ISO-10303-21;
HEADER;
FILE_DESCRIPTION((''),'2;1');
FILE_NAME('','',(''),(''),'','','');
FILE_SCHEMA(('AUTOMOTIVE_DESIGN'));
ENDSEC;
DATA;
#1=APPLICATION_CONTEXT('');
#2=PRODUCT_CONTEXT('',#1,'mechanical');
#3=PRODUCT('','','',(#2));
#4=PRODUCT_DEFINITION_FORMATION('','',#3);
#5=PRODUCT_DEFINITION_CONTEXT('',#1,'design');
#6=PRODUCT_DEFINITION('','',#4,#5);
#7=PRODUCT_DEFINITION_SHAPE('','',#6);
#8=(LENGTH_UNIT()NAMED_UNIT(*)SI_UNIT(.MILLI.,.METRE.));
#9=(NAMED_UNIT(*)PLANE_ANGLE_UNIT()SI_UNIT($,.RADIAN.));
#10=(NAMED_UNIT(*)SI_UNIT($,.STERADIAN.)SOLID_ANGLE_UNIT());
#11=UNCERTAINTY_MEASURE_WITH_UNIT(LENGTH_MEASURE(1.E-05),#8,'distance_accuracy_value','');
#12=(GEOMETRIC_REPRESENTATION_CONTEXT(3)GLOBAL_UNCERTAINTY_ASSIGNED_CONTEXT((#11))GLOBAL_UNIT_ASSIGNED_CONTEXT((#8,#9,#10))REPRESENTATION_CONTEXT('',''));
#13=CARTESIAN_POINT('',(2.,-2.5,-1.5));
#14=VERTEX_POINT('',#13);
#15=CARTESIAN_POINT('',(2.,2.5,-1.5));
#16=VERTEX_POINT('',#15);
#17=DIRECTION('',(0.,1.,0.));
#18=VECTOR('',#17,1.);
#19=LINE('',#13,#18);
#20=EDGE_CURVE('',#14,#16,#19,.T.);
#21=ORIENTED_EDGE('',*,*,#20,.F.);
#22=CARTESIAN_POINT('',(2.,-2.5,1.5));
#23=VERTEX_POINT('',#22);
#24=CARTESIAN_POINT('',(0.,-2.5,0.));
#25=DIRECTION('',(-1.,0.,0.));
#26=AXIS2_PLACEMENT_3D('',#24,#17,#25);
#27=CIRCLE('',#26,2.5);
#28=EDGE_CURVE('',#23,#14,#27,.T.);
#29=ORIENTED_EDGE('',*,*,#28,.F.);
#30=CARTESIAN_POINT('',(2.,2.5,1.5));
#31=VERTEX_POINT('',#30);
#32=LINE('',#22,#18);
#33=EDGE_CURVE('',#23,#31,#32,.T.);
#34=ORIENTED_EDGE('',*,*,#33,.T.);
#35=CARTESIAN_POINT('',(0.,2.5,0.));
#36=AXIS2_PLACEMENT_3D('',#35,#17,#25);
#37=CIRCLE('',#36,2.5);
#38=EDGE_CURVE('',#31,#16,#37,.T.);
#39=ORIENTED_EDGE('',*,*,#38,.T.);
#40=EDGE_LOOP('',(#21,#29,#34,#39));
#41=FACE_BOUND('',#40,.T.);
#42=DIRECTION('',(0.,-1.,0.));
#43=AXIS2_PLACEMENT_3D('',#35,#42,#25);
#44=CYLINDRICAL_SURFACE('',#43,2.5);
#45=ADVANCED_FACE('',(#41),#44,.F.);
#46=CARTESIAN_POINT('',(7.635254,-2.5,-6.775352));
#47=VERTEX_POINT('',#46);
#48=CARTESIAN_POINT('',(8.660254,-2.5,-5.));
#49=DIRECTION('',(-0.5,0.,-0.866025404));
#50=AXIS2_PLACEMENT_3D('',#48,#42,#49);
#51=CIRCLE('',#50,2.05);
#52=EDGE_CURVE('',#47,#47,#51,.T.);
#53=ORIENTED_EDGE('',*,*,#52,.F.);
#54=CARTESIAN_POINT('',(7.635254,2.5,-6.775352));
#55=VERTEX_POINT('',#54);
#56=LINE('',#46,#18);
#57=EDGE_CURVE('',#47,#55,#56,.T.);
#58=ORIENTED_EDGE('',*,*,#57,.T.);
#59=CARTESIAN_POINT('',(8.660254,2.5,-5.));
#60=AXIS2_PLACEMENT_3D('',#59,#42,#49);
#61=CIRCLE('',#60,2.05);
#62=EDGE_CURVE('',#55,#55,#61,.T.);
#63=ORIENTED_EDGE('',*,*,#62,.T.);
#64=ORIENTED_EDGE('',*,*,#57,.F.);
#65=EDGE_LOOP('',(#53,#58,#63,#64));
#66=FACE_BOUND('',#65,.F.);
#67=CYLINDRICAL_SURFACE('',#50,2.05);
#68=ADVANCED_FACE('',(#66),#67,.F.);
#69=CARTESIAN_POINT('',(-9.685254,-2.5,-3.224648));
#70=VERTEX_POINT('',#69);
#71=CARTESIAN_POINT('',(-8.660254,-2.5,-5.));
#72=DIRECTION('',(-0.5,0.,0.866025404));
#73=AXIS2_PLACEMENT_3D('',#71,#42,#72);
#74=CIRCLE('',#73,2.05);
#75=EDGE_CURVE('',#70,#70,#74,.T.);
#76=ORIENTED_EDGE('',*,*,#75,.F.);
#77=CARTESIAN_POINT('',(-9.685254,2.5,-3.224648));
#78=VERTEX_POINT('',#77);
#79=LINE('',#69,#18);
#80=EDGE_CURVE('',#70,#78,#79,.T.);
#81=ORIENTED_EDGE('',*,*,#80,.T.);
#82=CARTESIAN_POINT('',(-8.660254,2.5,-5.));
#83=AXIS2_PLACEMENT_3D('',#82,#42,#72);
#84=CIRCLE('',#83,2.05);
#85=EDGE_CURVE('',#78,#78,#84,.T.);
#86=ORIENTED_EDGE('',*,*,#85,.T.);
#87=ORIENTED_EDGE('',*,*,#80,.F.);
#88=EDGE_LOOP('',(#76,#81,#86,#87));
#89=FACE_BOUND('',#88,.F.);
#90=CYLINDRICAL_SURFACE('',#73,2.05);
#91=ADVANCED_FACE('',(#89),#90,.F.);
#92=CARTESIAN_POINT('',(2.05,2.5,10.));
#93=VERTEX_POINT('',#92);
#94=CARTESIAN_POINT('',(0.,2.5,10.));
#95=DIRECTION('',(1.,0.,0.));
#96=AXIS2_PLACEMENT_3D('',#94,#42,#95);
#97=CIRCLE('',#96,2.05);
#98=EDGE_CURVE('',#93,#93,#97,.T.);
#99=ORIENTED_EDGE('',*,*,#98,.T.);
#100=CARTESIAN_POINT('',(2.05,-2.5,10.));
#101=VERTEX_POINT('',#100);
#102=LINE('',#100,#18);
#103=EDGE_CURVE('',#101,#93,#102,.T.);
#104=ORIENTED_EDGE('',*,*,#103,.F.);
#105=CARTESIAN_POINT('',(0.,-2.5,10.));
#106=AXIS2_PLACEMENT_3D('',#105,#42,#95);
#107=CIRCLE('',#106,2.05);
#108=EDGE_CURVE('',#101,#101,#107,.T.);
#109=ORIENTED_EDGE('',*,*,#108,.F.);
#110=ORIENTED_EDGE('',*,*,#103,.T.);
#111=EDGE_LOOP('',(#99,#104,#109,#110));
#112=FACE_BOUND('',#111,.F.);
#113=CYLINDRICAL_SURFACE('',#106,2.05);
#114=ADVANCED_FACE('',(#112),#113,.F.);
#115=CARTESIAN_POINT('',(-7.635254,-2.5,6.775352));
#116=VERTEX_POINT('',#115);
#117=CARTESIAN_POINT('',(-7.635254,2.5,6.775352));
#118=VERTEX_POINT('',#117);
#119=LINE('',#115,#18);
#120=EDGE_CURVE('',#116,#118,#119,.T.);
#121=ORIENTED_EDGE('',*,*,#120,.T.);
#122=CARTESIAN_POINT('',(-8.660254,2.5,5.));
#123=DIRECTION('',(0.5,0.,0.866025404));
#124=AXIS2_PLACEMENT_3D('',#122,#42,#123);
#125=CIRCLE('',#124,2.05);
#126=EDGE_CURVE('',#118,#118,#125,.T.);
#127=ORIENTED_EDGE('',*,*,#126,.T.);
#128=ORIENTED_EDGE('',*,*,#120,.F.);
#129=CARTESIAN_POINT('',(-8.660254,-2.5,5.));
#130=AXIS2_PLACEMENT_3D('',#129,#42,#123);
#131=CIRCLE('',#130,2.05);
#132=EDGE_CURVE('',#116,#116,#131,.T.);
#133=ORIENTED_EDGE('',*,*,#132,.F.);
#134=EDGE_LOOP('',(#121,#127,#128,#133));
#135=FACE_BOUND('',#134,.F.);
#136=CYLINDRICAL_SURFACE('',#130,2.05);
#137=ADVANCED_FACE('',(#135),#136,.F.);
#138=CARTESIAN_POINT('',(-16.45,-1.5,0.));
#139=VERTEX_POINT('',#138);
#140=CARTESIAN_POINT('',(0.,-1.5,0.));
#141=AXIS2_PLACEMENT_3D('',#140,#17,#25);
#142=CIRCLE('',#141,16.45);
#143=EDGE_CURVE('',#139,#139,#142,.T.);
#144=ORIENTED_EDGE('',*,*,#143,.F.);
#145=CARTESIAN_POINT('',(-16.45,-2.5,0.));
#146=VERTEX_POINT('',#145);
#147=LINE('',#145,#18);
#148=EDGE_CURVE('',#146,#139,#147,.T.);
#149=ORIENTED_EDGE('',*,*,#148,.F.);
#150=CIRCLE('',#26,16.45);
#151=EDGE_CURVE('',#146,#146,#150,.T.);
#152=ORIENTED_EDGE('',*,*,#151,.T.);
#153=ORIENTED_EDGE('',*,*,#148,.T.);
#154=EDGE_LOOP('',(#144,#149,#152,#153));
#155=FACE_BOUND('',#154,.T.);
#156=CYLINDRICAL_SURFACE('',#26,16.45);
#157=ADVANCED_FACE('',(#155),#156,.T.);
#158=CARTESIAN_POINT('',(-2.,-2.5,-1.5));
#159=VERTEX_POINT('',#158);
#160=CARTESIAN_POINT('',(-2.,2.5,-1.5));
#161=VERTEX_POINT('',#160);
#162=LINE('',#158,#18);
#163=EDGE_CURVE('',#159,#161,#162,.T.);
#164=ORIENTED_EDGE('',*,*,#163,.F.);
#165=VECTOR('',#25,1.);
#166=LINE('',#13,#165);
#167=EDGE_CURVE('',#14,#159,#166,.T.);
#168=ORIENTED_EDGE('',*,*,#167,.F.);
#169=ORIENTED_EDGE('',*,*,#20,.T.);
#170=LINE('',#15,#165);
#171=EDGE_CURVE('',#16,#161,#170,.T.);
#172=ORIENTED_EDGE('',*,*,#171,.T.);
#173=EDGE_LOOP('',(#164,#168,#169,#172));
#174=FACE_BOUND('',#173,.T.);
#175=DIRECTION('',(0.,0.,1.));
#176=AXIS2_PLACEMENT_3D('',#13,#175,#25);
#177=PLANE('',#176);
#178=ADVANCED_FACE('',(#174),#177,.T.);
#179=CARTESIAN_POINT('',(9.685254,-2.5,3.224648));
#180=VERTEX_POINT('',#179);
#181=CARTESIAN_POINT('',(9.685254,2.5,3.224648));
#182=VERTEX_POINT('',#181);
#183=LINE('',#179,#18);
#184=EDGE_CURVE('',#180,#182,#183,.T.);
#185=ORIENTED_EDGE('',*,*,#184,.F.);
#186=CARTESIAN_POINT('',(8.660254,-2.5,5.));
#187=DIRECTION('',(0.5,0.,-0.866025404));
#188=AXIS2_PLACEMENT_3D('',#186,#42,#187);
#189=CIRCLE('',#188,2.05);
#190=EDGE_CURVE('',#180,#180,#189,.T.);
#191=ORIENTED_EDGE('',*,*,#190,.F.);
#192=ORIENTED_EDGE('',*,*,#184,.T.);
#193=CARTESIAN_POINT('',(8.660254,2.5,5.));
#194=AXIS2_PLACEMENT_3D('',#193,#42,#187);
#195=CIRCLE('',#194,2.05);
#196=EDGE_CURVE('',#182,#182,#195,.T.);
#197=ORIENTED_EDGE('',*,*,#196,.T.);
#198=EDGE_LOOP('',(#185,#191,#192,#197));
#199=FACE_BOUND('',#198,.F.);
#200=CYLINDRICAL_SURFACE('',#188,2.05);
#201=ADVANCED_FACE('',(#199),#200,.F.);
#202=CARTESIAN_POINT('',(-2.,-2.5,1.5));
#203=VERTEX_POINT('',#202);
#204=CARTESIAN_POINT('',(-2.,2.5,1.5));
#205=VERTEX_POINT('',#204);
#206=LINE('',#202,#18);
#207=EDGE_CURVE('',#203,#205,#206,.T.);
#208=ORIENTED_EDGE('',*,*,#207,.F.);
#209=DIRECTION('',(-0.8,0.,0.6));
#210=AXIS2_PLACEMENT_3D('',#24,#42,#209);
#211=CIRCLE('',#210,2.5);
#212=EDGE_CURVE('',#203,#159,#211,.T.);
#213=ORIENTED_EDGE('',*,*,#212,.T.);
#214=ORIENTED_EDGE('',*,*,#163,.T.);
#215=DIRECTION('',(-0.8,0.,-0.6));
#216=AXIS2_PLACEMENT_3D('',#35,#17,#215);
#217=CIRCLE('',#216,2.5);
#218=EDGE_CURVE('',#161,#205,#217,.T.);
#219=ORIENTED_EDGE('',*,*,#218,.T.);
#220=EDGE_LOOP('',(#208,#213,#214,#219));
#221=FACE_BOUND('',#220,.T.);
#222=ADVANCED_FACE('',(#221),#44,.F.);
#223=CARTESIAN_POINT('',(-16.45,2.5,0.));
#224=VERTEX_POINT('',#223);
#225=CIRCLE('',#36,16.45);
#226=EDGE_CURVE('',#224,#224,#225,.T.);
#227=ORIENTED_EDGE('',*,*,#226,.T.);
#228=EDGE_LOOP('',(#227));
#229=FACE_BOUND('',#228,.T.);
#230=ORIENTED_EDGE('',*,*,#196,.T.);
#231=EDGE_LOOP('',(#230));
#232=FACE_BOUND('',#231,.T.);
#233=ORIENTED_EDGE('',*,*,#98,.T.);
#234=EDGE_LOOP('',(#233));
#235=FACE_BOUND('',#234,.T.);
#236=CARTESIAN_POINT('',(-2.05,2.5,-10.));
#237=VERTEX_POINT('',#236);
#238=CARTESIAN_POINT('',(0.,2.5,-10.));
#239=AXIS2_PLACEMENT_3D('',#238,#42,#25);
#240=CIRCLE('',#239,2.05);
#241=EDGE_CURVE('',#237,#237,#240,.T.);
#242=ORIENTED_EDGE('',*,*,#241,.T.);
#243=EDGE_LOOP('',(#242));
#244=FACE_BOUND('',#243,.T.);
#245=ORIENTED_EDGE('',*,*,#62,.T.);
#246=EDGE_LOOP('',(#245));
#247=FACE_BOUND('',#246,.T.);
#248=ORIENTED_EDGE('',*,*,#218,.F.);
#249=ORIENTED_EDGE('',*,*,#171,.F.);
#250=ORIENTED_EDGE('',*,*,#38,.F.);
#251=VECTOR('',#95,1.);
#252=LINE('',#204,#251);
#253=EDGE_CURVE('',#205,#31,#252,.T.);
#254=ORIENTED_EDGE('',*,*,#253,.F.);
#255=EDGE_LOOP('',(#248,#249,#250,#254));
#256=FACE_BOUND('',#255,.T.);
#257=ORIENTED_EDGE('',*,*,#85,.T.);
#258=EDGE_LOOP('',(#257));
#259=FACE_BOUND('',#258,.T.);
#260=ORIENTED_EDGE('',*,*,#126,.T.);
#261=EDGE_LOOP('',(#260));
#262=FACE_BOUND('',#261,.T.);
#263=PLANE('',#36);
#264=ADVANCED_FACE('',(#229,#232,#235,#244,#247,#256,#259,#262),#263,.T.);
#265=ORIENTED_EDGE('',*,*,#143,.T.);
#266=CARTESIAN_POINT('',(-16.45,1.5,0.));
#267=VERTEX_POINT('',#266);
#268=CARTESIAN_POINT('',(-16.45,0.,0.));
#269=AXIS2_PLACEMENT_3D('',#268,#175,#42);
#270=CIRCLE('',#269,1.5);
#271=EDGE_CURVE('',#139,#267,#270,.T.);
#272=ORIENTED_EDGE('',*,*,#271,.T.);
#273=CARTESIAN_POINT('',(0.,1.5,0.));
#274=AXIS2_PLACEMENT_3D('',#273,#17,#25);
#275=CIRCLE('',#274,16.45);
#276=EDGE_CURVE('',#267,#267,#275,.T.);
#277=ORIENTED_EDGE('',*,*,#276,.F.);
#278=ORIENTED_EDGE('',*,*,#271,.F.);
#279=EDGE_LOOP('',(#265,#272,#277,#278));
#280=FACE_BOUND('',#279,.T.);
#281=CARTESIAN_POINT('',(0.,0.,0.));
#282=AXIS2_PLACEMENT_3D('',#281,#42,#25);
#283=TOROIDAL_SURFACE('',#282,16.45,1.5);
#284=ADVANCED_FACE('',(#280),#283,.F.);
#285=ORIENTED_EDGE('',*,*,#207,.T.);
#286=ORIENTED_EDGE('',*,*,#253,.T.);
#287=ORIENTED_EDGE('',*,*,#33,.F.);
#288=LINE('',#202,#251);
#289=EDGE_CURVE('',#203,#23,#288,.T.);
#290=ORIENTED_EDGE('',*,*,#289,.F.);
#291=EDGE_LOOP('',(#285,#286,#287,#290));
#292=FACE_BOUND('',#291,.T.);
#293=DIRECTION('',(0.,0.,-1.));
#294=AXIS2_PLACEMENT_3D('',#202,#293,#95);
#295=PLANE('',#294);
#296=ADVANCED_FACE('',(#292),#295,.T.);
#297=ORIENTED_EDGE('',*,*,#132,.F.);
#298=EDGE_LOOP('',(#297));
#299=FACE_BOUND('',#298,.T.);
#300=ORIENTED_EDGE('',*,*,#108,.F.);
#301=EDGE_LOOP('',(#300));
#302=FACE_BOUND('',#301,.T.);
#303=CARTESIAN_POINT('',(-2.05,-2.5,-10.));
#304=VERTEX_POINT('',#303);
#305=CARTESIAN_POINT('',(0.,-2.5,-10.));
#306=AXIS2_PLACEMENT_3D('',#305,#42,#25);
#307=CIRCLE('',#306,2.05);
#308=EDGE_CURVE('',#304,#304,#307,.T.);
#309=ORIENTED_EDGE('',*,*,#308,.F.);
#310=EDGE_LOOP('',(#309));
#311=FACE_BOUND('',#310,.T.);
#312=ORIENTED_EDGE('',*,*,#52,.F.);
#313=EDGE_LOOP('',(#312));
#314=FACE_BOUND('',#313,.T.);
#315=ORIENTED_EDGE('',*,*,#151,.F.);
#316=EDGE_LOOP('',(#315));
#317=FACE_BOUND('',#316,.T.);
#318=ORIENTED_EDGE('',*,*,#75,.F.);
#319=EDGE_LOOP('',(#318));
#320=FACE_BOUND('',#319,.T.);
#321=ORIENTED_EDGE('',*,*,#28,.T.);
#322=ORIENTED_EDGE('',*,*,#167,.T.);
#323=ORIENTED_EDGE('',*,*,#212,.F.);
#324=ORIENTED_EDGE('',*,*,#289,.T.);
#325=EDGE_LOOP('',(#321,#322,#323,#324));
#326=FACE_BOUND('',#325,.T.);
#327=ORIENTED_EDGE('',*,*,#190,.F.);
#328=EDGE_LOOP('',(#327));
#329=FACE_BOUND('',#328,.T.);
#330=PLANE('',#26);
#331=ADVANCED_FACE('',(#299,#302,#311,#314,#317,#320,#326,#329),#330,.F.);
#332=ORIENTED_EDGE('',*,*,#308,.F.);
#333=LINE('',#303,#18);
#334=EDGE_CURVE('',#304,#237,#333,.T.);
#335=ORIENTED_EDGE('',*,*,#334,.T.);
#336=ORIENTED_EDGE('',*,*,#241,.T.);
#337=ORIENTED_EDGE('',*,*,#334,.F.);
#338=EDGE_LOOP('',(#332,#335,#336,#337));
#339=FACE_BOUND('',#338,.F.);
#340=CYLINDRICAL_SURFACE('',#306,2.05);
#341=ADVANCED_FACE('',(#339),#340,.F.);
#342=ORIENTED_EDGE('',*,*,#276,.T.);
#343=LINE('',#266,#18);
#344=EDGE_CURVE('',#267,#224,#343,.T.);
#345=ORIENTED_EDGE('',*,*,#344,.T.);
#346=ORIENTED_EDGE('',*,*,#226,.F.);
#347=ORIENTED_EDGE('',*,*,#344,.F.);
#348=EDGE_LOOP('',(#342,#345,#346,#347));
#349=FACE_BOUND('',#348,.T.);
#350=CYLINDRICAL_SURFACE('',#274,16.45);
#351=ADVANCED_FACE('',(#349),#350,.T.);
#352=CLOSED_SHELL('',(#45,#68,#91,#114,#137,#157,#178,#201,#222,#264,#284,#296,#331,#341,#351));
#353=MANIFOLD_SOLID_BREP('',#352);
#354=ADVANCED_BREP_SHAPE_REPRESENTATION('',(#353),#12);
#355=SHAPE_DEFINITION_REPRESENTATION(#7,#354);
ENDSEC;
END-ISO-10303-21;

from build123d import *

# Parameters (mm, degrees)
SKETCH001_R        = 2.05
POCKET_DEPTH       = 98.592026
POLARPATTERN_COUNT = 6
PAD_DEPTH          = 5


with BuildPart() as part:
    # Sketch → Revolution (revolve)
    with BuildSketch(Plane.XY):
        with BuildLine():
            Line((-2.5, 2.5), (-2.5, -2.5))
            Line((-2.5, -2.5), (-16.45, -2.5))
            Line((-16.45, -2.5), (-16.45, -1.5))
            ThreePointArc((-16.45, -1.5), (-14.95, 0), (-16.45, 1.5))
            Line((-16.45, 1.5), (-16.45, 2.5))
            Line((-16.45, 2.5), (-2.5, 2.5))
        make_face()
    revolve(axis=Axis((0, 0, 0), (0, 1, 0)))

    # Sketch001 → Pocket (cut, through all)
    with BuildSketch(Plane.XZ.offset(2.5)):
        with Locations((0, 10)):
            Circle(SKETCH001_R)
    pocket = extrude(amount=-POCKET_DEPTH, mode=Mode.SUBTRACT)

    # PolarPattern: Pocket ×6 about axis
    polarpattern_axis = Axis((0, -2.5, 0), (0, -1, 0))
    for i in range(1, POLARPATTERN_COUNT):
        add(pocket.rotate(polarpattern_axis, i * 360 / POLARPATTERN_COUNT), mode=Mode.SUBTRACT)

    # Sketch002 → Pad (new body)
    with BuildSketch(Plane.XZ.offset(2.5)):
        with BuildLine():
            Line((-2, 1.5), (2, 1.5))
            ThreePointArc((2, 1.5), (0, 2.5), (-2, 1.5))
        make_face()
        with BuildLine():
            Line((2, -1.5), (-2, -1.5))
            ThreePointArc((-2, -1.5), (0, -2.5), (2, -1.5))
        make_face()
    extrude(amount=-PAD_DEPTH)


solid = part.part
